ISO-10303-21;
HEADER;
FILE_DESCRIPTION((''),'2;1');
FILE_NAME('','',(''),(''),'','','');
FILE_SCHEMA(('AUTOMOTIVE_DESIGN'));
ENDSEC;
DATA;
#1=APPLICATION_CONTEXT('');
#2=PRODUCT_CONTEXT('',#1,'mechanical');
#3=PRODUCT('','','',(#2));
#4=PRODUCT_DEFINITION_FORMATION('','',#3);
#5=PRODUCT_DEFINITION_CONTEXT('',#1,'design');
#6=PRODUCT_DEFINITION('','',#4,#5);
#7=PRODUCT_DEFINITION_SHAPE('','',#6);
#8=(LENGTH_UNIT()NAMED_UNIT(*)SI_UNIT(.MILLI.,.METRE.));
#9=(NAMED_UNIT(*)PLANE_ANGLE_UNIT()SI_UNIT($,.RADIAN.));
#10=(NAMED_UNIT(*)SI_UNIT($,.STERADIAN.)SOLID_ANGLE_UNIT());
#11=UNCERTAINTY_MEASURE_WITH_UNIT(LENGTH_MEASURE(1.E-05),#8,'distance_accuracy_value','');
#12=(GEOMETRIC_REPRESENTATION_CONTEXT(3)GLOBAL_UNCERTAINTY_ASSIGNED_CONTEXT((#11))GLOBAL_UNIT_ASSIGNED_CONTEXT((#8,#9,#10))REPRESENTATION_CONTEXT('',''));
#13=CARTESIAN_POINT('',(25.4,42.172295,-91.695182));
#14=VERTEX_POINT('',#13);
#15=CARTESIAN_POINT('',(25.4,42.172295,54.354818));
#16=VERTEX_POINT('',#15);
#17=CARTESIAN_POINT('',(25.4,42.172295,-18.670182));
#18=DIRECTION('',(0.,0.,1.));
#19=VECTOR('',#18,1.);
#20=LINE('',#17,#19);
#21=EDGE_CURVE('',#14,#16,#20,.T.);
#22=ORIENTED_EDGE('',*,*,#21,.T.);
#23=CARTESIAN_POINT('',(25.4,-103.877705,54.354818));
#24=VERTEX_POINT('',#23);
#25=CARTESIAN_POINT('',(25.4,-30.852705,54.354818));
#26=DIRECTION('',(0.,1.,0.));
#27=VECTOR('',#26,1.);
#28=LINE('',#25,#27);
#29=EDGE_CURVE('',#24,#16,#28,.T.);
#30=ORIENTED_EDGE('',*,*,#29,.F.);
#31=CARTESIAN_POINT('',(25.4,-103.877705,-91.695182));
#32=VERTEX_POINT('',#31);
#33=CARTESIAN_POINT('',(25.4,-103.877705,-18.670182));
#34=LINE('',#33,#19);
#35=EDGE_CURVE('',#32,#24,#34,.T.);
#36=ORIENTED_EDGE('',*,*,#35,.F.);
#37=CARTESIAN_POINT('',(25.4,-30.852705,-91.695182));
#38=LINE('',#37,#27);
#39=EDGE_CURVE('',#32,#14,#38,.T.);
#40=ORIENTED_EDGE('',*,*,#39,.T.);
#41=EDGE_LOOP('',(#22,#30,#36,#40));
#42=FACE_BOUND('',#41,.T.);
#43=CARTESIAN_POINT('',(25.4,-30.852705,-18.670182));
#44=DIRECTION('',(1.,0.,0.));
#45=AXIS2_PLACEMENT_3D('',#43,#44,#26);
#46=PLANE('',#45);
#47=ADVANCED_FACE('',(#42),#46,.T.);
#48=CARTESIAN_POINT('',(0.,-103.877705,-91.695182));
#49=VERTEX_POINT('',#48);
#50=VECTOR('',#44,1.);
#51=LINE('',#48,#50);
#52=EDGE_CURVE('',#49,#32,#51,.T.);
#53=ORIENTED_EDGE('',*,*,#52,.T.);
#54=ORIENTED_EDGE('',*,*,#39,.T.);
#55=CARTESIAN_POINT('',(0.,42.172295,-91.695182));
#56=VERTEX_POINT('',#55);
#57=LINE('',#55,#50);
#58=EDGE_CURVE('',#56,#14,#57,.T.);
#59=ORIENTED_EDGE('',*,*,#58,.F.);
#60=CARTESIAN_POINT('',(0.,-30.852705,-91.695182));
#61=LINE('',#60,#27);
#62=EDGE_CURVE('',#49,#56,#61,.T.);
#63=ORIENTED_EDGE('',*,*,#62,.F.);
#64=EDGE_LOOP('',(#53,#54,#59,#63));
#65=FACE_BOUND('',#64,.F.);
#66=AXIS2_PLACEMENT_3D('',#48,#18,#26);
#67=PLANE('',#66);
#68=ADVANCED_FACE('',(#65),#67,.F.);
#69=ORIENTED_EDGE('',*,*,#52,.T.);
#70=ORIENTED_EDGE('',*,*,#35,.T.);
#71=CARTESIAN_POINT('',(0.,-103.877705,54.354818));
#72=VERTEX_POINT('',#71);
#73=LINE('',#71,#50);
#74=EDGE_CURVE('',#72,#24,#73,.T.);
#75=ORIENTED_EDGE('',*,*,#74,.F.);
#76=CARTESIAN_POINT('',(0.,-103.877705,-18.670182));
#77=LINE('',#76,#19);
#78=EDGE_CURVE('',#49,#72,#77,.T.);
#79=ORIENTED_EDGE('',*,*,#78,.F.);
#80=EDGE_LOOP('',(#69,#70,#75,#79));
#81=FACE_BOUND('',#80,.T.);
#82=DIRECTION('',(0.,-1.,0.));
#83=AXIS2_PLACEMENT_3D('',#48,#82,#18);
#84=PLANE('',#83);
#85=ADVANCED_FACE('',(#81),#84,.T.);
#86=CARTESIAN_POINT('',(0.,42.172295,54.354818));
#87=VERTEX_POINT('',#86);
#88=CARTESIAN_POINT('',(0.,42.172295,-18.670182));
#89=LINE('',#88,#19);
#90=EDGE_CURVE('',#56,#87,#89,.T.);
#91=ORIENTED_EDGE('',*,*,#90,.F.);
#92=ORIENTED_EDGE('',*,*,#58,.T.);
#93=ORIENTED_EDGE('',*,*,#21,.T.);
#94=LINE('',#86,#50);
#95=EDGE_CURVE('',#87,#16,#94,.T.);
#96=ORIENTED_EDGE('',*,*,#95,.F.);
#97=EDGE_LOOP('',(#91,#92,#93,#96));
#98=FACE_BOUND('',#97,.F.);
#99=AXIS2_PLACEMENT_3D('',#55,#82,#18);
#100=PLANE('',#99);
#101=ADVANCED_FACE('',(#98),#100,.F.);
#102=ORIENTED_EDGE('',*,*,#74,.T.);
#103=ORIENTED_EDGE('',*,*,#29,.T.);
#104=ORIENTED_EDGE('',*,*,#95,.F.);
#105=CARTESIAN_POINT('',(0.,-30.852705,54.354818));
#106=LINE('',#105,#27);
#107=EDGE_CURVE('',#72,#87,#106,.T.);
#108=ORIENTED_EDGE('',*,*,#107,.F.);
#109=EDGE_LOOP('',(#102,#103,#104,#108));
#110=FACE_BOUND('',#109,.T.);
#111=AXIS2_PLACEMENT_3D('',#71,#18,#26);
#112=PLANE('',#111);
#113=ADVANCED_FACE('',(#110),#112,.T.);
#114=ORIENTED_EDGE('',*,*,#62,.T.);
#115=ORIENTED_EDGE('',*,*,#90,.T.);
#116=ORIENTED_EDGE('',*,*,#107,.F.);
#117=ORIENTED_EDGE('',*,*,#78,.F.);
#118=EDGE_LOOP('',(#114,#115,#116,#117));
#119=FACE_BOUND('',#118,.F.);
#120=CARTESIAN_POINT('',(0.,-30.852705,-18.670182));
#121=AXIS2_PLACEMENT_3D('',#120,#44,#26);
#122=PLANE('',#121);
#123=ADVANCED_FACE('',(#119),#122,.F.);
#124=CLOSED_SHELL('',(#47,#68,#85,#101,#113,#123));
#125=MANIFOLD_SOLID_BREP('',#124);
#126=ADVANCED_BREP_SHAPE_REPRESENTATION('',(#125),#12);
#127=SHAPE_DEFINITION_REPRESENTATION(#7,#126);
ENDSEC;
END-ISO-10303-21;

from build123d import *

# Parameters (mm, degrees)
F2_W     = 146.05
F2_H     = 146.05
F3_DEPTH = 25.4


with BuildPart() as f3:
    # F2 (on face) → F3 (new body)
    with BuildSketch(Plane.YZ):
        with Locations((-30.852705, -18.670182)):
            Rectangle(F2_W, F2_H)
    extrude(amount=F3_DEPTH)


solid = f3.part
